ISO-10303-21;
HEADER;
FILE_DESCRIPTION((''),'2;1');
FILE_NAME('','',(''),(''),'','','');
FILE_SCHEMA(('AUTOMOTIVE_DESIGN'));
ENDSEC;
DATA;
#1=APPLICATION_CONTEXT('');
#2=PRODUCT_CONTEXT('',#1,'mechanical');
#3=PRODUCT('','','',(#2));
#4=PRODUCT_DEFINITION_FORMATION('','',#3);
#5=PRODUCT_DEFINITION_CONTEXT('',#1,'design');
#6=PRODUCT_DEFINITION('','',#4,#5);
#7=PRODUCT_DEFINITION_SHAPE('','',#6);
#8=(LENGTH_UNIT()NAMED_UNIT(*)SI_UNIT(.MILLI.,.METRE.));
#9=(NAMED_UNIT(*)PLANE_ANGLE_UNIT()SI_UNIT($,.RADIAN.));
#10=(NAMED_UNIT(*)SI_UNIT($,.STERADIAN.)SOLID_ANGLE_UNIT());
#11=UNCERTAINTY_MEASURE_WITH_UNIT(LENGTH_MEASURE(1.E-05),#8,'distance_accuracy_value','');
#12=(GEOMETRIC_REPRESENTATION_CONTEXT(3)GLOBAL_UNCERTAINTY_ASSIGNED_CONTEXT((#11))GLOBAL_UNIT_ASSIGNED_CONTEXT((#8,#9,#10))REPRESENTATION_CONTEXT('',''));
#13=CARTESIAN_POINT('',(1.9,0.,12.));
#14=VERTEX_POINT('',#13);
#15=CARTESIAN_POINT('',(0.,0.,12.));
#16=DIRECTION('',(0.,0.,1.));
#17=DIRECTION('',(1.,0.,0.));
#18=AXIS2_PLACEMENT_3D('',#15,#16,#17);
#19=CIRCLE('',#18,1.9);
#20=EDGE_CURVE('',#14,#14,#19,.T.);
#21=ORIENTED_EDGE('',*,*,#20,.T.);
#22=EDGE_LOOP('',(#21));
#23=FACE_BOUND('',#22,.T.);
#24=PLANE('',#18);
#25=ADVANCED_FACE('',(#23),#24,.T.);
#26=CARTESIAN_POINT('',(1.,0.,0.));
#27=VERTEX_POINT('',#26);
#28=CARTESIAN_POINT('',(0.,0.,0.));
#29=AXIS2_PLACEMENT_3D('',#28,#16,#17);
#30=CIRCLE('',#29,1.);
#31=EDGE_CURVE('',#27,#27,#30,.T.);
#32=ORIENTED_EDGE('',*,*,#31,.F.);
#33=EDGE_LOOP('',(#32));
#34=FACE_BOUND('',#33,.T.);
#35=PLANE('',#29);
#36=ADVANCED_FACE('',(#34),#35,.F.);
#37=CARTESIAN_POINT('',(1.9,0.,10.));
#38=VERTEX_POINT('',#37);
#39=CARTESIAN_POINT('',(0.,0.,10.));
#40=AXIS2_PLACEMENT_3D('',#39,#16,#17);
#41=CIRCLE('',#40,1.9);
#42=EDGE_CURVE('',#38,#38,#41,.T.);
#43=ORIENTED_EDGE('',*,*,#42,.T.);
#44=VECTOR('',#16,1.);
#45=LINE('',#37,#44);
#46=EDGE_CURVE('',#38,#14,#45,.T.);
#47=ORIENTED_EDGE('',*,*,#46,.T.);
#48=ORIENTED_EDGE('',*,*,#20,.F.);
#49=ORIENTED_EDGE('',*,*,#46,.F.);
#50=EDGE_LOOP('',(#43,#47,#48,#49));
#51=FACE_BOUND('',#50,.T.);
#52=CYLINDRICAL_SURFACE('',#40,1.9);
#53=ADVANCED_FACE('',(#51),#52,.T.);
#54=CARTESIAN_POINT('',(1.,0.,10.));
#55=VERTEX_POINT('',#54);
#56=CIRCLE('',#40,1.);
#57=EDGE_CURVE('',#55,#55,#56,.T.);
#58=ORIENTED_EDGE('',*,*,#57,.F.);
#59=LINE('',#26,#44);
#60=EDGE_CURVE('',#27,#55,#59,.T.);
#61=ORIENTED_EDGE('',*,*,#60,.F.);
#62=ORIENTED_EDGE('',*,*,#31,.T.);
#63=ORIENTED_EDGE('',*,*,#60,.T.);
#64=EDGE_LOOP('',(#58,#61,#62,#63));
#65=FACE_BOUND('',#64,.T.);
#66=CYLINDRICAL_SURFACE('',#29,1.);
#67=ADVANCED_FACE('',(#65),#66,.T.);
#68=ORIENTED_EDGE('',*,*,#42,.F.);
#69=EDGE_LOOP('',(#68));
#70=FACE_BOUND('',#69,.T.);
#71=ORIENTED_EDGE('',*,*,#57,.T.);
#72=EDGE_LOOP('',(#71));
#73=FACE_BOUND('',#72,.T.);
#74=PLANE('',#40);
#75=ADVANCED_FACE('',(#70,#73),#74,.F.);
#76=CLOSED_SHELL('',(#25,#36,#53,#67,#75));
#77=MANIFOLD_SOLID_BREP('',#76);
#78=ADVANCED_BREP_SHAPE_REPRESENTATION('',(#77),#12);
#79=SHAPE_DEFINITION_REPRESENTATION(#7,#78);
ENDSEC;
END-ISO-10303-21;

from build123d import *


with BuildPart() as part:
    # Sketch → Revolution (revolve)
    with BuildSketch(Plane.XZ):
        Polygon((0, 0), (1, 0), (1, 10), (1.9, 10), (1.9, 12), (0, 12), align=None)
    revolve(axis=Axis((0, 0, 0), (0, 0, 1)))


solid = part.part
